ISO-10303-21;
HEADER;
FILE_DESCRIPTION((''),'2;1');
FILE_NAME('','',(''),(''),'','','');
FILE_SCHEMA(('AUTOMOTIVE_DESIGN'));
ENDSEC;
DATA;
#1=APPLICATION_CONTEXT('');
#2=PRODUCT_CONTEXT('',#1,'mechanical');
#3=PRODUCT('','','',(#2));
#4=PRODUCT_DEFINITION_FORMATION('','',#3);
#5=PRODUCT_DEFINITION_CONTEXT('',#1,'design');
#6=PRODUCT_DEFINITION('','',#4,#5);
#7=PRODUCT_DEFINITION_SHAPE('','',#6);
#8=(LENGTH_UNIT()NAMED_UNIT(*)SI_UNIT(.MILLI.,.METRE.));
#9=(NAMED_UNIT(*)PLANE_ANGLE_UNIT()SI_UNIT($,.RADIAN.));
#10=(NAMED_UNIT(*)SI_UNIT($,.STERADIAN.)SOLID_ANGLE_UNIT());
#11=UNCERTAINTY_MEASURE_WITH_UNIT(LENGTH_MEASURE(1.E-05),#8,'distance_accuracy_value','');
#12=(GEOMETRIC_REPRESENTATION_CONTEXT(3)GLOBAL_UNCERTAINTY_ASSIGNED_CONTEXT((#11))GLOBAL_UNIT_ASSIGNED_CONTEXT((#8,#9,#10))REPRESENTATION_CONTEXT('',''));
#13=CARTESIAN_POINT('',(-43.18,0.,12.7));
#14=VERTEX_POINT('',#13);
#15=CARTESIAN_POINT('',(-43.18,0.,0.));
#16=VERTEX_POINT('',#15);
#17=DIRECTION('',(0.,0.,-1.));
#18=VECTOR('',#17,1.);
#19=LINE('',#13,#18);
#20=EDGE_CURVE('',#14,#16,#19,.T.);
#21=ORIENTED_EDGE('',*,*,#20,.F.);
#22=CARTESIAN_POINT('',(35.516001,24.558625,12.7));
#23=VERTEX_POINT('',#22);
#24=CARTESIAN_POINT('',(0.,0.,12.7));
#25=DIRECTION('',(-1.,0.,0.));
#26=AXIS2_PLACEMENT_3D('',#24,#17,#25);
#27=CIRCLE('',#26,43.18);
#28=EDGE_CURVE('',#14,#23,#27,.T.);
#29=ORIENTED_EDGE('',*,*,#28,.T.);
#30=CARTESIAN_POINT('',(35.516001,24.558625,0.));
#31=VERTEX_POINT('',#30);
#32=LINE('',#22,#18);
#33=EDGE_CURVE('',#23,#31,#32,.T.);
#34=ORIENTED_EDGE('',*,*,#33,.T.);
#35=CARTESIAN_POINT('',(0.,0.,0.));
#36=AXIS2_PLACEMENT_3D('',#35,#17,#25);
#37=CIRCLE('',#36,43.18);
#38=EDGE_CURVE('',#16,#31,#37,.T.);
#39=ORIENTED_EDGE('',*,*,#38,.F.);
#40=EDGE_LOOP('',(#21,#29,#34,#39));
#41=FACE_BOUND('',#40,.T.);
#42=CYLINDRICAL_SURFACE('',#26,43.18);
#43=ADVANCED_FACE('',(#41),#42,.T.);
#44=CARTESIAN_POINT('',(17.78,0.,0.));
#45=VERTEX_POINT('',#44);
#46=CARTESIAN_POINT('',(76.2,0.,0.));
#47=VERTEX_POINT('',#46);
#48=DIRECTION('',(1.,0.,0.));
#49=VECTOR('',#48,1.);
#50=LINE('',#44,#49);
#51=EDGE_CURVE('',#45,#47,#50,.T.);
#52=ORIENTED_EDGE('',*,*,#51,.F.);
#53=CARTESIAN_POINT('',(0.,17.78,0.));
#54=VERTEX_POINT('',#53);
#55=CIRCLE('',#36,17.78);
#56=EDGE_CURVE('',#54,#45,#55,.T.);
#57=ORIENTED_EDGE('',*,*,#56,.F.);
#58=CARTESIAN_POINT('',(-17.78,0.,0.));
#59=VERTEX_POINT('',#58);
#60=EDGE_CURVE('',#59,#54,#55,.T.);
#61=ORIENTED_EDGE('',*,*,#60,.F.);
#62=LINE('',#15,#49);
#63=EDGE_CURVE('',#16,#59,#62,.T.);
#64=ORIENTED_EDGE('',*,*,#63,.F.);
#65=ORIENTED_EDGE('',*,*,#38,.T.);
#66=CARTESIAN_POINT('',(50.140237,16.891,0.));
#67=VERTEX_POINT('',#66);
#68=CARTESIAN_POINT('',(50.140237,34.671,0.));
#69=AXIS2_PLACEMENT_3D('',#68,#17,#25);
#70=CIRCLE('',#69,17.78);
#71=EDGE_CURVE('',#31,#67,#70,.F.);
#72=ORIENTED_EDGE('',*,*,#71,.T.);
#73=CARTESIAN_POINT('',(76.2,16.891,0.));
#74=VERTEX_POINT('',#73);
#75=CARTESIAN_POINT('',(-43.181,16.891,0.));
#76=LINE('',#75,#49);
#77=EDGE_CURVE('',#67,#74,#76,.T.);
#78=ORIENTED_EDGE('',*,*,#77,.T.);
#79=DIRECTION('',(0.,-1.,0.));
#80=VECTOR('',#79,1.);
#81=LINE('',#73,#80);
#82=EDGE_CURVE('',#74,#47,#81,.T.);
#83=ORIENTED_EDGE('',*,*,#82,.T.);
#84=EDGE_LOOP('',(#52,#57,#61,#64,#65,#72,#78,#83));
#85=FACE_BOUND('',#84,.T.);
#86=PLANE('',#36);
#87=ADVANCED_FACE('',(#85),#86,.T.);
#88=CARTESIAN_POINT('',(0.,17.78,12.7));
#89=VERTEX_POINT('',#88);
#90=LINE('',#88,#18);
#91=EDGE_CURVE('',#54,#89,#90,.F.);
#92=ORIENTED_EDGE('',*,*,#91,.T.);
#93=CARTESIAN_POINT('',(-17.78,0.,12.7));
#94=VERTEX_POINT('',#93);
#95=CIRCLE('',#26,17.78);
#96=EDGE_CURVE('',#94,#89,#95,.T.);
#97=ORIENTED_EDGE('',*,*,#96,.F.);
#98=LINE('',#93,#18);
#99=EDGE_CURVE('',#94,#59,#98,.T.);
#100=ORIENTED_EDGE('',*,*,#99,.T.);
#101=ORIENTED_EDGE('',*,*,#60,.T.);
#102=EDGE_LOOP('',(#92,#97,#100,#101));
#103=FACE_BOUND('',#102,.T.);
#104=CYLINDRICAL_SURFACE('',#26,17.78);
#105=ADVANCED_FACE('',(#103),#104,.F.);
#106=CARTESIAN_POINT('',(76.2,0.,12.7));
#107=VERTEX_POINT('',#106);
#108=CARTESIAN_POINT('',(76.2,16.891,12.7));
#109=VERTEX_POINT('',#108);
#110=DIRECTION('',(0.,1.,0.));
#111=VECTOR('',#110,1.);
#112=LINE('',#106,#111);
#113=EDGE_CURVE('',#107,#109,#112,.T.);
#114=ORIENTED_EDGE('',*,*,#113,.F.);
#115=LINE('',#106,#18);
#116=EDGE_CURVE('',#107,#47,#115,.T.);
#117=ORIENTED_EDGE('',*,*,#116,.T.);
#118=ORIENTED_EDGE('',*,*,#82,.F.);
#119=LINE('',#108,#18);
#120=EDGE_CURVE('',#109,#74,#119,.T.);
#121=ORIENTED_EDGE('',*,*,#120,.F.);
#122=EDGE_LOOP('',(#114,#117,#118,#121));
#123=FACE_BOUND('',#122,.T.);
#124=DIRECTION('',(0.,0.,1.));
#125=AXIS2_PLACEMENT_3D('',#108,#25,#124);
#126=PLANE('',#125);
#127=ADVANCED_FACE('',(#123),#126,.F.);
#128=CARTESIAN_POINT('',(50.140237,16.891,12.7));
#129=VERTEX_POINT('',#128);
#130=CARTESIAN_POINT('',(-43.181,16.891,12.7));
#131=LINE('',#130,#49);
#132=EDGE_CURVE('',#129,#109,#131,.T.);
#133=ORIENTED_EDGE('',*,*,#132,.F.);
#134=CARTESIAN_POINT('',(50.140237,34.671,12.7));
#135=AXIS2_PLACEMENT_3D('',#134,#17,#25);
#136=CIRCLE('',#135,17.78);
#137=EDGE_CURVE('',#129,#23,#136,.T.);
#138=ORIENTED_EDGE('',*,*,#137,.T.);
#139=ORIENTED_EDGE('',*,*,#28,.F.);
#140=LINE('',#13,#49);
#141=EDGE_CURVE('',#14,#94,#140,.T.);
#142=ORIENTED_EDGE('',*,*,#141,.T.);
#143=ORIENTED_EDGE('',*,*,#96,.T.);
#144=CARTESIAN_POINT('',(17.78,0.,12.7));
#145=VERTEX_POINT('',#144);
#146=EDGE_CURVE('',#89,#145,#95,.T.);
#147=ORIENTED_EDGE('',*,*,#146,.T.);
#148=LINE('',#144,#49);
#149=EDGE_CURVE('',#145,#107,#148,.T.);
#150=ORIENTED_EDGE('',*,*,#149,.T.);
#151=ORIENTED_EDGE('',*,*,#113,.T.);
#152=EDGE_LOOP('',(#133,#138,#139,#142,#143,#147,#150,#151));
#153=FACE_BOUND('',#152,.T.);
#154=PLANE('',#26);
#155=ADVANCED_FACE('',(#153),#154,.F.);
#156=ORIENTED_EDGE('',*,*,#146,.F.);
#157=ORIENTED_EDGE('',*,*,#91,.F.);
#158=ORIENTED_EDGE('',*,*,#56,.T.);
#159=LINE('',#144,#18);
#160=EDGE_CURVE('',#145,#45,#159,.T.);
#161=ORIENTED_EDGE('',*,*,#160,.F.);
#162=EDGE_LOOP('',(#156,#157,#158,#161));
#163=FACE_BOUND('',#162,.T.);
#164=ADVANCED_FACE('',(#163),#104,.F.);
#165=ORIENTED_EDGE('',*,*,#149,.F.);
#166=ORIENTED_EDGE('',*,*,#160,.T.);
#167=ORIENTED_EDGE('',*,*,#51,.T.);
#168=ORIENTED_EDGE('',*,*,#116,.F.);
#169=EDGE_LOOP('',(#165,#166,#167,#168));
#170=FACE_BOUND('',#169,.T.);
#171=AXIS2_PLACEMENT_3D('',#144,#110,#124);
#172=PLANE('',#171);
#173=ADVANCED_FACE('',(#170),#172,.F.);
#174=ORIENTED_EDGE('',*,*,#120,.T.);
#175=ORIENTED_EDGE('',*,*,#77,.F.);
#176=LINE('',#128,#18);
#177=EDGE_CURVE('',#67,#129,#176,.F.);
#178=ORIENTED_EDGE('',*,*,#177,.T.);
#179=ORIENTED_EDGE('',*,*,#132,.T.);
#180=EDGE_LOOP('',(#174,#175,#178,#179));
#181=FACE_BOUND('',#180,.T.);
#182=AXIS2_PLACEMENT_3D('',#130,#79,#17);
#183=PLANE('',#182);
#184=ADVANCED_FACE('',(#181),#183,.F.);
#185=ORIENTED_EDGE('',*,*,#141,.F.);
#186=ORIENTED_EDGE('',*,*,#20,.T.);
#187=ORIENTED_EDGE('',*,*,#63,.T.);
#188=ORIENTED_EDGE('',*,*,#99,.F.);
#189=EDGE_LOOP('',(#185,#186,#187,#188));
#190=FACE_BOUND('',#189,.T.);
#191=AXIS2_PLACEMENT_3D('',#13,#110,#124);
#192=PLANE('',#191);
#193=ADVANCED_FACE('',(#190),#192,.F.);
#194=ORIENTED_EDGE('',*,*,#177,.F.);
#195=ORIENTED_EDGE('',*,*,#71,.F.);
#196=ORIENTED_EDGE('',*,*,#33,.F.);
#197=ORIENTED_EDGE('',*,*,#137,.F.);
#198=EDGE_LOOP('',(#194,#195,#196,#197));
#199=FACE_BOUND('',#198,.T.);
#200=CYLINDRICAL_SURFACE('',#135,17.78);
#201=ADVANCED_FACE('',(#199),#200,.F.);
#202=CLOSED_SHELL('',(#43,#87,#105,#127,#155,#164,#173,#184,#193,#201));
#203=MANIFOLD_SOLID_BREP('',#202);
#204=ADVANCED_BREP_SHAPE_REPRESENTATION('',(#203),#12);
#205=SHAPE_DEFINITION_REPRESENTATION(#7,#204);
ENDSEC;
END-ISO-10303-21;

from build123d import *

# Parameters (mm, degrees)
BASE_EXTRUDE_DEPTH  = 12.7
BOSS_EXTRUDE2_START = -11.060769
SKETCH2_W           = 12.7
SKETCH2_H           = 16.891
BOSS_EXTRUDE2_DEPTH = 11.060769
SKETCH3_W           = 12.7
SKETCH3_H           = 16.891
BOSS_EXTRUDE3_DEPTH = 25.4
FILLET1_R           = 17.78


with BuildPart() as part:
    # Sketch1 → Base-Extrude (new body)
    with BuildSketch(Plane.XY):
        with BuildLine():
            Line((-43.18, 0), (-17.78, 0))
            ThreePointArc((-17.78, 0), (0, 17.78), (17.78, 0))
            Line((17.78, 0), (43.18, 0))
            ThreePointArc((43.18, 0), (0, 43.18), (-43.18, 0))
        make_face()
    extrude(amount=BASE_EXTRUDE_DEPTH)

    # Sketch2 → Boss-Extrude2 (add)
    with BuildSketch(Plane(origin=(50.8, 0, 0), x_dir=(0, 0, -1), z_dir=(1, 0, 0)).offset(BOSS_EXTRUDE2_START)):
        with Locations((-6.35, 8.4455)):
            Rectangle(SKETCH2_W, SKETCH2_H)
    extrude(amount=BOSS_EXTRUDE2_DEPTH)

    # Sketch3 → Boss-Extrude3 (add)
    with BuildSketch(Plane(origin=(50.8, 0, 0), x_dir=(0, 0, -1), z_dir=(1, 0, 0))):
        with Locations((-6.35, 8.4455)):
            Rectangle(SKETCH3_W, SKETCH3_H)
    extrude(amount=BOSS_EXTRUDE3_DEPTH)

    # Fillet1
    fillet1_edges = [part.edges().sort_by_distance(p)[0] for p in [
        (39.739231, 16.891, 6.35),
    ]]
    fillet(fillet1_edges, radius=FILLET1_R)


solid = part.part
